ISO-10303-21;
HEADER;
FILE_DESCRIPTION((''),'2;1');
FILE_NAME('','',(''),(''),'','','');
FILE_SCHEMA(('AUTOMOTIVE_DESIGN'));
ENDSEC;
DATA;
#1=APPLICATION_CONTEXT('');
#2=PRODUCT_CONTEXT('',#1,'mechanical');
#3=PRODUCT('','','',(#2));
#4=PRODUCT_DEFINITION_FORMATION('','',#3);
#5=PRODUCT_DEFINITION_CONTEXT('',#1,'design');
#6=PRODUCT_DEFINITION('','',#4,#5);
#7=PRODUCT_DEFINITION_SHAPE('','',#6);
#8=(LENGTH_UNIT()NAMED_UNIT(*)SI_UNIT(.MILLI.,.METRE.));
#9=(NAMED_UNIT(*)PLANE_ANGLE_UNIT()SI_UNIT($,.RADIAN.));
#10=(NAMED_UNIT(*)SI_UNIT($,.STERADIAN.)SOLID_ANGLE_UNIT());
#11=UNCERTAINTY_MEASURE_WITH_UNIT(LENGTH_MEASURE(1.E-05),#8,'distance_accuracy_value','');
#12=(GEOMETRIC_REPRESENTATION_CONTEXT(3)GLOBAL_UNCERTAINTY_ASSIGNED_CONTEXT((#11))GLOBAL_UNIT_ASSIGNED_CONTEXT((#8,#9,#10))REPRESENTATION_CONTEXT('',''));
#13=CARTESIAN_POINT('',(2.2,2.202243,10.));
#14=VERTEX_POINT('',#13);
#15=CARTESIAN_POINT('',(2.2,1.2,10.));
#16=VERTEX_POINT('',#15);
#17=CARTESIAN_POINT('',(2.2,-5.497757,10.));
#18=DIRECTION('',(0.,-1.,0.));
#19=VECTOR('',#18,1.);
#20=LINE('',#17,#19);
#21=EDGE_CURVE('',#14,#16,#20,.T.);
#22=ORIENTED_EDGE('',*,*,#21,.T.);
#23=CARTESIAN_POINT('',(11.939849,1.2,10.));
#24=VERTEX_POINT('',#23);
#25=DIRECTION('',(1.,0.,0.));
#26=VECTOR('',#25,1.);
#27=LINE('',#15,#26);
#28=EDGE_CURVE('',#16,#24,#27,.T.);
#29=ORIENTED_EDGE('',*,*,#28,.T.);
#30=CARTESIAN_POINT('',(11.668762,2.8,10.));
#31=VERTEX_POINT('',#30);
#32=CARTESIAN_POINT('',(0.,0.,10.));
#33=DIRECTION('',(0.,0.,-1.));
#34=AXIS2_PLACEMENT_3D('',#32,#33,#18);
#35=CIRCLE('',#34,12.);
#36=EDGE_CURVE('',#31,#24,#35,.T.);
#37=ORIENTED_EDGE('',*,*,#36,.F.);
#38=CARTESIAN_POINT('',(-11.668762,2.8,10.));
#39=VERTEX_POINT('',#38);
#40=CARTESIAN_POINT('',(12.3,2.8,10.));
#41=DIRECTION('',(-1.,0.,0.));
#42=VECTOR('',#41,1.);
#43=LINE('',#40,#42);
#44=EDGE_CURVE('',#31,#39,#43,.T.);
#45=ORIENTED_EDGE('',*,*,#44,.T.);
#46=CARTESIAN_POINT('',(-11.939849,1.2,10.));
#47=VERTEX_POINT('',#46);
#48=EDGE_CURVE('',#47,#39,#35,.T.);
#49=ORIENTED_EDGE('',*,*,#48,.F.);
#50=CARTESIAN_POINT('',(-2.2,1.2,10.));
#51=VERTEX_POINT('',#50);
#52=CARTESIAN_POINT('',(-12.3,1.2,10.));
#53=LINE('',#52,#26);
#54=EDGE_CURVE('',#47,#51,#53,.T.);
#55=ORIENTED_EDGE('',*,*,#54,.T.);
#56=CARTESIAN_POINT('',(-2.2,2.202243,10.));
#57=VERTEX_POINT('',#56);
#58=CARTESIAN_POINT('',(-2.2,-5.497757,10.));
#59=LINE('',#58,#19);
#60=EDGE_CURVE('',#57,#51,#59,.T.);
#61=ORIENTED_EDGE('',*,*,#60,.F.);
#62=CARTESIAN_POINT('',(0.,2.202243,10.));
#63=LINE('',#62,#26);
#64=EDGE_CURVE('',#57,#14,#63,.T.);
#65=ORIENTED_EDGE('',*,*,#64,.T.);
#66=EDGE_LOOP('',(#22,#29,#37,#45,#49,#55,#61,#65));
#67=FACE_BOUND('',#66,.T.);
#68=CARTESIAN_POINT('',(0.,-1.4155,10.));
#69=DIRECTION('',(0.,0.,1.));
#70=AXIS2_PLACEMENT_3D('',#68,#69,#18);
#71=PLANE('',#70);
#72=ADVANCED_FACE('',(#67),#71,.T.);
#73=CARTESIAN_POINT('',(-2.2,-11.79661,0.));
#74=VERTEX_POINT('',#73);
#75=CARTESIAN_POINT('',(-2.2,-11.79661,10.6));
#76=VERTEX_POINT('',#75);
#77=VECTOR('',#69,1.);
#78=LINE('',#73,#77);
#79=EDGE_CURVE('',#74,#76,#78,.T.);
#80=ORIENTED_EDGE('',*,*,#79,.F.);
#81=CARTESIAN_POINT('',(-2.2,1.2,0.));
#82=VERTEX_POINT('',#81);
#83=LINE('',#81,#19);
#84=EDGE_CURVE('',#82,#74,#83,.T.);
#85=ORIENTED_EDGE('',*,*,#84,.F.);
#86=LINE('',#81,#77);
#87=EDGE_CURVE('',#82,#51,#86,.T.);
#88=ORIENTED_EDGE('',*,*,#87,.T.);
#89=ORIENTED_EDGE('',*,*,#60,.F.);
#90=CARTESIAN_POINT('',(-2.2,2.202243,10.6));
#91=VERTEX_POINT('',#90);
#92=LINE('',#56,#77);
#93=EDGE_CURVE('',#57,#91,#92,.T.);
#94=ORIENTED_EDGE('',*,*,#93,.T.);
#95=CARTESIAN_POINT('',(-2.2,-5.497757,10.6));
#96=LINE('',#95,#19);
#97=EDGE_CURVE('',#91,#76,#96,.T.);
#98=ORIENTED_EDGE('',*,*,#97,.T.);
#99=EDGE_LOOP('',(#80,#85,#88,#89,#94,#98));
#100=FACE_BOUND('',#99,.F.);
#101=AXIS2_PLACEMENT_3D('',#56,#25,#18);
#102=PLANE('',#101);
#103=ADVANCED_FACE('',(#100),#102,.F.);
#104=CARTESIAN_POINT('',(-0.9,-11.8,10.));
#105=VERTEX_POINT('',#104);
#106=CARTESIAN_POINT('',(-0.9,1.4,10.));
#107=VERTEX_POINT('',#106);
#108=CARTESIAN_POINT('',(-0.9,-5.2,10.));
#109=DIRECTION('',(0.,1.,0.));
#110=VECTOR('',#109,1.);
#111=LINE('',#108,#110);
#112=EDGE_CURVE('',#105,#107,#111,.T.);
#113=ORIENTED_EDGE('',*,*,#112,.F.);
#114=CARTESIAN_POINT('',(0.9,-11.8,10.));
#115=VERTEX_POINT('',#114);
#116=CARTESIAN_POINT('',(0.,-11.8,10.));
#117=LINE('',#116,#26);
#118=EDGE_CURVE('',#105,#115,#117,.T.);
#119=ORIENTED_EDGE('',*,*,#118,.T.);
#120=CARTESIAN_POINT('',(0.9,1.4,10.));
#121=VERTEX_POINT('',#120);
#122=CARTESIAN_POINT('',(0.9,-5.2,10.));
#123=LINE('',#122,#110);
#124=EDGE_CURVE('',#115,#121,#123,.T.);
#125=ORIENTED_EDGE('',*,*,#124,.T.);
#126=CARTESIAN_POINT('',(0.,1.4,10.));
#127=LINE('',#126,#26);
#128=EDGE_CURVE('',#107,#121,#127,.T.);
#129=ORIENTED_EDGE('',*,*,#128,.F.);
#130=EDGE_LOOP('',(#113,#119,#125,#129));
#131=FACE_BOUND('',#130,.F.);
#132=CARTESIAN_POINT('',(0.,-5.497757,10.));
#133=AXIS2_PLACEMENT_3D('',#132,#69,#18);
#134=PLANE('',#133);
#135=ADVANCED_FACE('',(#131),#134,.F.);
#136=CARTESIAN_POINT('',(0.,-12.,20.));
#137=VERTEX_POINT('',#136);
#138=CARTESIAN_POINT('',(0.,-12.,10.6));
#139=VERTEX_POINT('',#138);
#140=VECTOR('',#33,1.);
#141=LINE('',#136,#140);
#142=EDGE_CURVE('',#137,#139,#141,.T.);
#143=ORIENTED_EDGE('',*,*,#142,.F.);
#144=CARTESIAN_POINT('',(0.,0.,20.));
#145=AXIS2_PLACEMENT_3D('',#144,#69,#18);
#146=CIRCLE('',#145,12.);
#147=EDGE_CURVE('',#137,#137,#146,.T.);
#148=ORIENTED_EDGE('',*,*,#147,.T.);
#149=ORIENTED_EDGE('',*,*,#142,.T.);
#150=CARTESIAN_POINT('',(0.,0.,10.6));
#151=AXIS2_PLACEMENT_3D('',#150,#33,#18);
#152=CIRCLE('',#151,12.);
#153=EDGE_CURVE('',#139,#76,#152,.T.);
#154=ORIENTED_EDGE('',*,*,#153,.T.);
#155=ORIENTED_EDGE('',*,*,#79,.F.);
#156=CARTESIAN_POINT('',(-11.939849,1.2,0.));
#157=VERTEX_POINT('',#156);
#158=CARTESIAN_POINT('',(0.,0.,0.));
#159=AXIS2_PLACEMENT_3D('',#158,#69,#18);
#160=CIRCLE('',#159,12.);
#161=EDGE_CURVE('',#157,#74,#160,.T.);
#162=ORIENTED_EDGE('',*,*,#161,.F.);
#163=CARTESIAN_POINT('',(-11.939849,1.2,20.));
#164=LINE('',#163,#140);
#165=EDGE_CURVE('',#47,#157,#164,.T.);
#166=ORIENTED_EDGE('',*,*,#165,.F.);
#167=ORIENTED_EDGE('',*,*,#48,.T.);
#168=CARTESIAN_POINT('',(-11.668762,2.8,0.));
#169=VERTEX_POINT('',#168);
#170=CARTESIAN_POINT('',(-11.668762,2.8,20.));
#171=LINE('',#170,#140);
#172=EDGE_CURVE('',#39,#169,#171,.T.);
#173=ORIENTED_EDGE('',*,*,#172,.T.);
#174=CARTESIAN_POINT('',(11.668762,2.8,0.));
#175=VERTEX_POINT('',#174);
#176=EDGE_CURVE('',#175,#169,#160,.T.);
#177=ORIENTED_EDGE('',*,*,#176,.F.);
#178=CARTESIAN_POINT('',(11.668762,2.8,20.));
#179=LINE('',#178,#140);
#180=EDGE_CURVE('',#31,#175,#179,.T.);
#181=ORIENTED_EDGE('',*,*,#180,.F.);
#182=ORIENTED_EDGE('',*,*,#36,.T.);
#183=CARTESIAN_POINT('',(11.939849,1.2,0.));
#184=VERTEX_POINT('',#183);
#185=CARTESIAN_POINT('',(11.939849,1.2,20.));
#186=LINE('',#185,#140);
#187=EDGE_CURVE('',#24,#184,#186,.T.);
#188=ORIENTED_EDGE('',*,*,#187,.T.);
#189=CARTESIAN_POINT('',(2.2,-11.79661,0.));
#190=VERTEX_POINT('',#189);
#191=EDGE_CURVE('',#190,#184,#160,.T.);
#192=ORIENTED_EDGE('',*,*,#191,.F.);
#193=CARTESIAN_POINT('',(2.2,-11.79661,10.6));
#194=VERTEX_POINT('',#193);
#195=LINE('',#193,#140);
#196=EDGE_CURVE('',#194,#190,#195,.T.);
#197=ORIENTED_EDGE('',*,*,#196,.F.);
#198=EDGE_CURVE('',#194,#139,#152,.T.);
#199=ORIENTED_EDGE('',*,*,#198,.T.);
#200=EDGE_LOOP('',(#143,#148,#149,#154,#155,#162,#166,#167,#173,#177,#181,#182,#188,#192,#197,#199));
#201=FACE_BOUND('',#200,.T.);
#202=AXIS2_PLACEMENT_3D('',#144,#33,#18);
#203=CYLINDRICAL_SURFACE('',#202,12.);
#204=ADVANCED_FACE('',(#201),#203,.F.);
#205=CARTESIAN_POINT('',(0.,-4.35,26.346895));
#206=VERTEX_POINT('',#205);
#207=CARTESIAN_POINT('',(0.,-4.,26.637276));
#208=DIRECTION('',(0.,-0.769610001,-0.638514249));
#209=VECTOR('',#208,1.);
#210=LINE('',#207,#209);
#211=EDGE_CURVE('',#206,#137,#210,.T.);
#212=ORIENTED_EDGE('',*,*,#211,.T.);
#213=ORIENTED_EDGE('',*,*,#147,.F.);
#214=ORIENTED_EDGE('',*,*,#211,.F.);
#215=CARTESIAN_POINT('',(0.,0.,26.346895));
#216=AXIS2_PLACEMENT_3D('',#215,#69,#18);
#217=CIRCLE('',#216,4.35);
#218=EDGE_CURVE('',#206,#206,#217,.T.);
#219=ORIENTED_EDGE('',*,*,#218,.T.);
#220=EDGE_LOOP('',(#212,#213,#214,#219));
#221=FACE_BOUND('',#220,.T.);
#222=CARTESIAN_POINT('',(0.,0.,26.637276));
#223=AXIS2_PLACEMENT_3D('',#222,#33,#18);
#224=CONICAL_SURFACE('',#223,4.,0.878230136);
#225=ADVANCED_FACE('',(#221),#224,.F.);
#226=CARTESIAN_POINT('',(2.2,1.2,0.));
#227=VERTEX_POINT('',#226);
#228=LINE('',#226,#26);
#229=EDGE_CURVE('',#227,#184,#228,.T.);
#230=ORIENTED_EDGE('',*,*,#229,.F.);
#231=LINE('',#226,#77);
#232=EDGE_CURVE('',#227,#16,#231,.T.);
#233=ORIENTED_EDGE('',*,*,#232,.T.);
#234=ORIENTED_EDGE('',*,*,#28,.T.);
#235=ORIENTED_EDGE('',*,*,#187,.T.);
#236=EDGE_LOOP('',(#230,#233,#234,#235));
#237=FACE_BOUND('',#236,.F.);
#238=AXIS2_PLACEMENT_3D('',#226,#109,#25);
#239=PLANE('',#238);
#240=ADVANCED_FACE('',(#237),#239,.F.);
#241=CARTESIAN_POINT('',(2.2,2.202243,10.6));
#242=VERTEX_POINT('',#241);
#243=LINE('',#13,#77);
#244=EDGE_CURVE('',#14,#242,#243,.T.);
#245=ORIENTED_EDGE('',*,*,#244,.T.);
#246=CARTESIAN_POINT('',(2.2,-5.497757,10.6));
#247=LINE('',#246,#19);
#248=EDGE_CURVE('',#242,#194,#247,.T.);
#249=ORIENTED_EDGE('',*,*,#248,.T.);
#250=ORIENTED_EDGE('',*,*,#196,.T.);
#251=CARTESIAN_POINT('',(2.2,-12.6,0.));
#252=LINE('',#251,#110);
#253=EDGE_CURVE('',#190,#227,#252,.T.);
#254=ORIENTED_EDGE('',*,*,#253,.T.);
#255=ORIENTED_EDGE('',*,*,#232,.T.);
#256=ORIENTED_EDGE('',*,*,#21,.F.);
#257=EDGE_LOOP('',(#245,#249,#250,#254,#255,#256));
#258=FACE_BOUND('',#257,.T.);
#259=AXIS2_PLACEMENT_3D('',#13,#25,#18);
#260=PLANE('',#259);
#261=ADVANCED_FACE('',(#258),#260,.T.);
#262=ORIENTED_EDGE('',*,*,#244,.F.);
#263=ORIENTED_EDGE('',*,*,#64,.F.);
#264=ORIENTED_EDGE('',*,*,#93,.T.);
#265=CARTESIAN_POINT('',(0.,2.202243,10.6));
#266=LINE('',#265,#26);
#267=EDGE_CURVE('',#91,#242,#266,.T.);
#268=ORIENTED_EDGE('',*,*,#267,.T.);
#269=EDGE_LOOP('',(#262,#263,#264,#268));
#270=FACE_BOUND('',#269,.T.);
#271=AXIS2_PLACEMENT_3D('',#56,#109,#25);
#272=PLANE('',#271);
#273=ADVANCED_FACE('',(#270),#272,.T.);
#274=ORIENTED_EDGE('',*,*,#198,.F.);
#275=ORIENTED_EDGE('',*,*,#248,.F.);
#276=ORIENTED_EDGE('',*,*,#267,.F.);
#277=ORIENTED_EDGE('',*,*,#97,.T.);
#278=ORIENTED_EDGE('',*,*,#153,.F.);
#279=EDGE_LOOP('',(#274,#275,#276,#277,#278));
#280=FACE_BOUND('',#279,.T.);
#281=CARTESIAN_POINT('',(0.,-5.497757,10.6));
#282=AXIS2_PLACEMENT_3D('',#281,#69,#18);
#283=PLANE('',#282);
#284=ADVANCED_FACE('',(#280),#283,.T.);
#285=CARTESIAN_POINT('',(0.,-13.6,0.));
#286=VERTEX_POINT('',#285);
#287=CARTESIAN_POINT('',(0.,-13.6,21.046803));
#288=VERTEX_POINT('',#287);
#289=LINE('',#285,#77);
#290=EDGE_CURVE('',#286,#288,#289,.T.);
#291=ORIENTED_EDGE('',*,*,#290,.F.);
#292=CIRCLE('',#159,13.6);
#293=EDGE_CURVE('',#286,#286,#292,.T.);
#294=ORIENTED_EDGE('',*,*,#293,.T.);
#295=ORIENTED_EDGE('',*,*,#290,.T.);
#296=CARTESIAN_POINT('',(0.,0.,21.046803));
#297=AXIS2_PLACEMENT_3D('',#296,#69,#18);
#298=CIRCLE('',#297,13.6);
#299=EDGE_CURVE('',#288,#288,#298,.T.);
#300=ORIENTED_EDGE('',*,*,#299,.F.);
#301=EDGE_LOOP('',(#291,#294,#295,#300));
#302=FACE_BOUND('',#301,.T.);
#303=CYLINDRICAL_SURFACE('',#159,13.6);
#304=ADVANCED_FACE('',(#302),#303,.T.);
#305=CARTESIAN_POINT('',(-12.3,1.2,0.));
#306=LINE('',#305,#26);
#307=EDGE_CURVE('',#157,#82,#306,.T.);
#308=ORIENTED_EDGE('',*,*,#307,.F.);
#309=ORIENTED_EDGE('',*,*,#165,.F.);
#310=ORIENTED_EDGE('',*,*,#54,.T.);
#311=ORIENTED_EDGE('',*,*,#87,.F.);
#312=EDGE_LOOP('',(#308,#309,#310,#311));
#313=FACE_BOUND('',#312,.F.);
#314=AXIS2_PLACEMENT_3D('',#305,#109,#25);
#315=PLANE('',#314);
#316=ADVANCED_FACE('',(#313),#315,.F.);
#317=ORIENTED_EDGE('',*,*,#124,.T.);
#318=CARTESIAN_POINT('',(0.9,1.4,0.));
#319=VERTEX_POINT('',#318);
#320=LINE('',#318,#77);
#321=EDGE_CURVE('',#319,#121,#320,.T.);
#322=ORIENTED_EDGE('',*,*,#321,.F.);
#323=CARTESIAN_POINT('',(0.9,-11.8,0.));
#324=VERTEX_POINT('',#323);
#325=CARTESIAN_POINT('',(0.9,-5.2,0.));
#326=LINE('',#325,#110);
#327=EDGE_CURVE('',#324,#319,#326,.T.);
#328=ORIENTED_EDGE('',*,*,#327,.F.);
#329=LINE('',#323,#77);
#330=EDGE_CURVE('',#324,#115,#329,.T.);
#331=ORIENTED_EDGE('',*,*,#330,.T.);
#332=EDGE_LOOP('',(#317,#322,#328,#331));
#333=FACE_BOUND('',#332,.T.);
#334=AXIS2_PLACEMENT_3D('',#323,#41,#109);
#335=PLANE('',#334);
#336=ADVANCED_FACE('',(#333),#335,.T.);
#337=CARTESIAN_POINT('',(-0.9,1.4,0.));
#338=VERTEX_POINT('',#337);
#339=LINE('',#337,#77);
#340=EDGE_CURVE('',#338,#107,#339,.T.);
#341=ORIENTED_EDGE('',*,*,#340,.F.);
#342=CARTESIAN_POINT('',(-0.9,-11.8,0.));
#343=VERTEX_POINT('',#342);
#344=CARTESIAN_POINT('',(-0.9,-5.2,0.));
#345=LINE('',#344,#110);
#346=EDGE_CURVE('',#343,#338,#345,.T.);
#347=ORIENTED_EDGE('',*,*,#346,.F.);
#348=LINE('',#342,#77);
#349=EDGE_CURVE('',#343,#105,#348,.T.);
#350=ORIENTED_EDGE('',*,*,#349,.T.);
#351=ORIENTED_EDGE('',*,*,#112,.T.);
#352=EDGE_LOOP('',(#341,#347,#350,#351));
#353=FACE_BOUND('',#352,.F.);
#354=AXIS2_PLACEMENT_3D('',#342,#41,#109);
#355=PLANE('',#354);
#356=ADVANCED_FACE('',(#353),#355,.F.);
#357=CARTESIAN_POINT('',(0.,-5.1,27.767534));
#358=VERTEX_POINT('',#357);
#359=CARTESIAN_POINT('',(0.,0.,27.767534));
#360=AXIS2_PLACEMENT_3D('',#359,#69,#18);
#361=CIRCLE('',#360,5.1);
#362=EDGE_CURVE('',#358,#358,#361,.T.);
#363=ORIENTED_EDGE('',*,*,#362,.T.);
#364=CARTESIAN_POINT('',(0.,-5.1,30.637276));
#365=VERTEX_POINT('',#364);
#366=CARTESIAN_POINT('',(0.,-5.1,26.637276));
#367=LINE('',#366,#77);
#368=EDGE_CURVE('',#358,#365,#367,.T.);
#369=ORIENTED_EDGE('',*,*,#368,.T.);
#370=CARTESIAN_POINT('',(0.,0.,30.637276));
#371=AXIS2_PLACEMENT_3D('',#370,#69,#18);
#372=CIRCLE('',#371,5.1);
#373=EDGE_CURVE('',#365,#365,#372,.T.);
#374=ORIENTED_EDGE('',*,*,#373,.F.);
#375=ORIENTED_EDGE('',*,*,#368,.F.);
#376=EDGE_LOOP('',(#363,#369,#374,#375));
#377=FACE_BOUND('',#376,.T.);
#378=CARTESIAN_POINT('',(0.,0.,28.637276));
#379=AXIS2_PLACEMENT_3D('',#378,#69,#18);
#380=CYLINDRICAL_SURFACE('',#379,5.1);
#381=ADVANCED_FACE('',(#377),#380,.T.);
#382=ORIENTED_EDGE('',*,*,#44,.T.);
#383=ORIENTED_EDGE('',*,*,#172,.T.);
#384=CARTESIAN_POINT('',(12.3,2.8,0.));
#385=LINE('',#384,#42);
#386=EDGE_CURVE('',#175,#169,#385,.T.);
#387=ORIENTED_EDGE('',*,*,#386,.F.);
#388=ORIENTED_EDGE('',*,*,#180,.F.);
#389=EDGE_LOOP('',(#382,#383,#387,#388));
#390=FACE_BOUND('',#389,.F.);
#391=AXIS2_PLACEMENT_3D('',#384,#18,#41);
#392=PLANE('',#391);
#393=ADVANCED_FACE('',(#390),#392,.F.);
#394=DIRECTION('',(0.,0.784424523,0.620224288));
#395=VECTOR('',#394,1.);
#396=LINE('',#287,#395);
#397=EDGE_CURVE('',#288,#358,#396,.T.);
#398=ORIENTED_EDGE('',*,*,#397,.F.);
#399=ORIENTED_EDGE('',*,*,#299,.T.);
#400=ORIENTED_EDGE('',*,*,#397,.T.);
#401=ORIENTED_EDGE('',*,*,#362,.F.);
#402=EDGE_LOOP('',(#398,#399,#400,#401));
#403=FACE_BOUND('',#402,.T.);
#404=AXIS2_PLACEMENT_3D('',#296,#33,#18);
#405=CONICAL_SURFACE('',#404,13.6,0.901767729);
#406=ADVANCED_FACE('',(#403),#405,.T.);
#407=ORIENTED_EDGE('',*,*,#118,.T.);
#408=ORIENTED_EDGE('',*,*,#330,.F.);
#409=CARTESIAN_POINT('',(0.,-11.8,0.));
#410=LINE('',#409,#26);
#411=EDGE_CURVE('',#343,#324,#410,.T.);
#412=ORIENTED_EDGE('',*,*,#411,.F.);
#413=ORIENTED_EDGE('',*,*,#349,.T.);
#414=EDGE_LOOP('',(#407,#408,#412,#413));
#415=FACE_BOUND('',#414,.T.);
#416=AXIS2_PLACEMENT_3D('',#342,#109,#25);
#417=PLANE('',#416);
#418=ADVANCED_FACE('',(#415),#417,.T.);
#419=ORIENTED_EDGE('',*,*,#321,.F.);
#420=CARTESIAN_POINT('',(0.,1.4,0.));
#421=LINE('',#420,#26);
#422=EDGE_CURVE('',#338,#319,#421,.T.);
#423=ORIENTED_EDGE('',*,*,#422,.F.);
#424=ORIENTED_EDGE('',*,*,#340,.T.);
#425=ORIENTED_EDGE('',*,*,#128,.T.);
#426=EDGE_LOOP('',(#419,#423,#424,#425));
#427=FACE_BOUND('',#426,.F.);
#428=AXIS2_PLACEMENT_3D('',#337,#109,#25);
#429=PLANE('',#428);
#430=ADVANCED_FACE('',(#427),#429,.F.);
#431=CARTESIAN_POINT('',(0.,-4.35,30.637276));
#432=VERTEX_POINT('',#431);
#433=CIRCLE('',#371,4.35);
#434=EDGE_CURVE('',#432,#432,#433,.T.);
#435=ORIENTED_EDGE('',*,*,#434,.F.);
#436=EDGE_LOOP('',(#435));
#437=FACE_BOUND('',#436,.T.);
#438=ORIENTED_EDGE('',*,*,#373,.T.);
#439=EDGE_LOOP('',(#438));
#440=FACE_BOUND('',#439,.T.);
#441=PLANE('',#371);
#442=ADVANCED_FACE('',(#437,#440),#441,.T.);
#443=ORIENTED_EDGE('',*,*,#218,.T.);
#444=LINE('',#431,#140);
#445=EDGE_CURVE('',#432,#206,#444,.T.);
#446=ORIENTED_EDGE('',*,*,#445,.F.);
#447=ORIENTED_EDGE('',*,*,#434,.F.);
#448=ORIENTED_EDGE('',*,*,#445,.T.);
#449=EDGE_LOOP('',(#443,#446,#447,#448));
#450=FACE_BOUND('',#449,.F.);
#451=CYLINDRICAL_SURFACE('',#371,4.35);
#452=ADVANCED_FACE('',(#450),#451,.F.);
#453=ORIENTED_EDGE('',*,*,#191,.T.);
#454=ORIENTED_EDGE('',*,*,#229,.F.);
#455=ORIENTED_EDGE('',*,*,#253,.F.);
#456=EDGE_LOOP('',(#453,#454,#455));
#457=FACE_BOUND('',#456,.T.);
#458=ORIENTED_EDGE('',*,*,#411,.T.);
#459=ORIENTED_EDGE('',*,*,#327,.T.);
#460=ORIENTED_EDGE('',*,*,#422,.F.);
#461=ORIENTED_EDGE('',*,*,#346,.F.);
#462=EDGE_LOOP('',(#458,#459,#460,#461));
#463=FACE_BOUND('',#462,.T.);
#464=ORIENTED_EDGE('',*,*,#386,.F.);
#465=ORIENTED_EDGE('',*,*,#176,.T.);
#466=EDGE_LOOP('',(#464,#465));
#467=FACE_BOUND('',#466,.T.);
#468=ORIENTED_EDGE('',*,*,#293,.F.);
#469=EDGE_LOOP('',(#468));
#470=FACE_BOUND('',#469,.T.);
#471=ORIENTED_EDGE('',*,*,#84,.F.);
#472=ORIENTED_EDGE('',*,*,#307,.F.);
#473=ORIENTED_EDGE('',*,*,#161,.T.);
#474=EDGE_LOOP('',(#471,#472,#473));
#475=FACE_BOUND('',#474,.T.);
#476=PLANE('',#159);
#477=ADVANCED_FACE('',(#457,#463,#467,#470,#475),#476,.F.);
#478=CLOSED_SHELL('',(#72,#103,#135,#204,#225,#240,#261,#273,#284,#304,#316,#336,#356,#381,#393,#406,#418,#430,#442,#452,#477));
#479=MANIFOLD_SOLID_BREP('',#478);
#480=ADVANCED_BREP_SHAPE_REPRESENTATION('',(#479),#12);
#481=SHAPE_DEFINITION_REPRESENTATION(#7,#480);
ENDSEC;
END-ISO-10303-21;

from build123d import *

# Parameters (mm, degrees)
PAD003_DEPTH    = 10
SKETCH008_W     = 13.2
SKETCH008_H     = 1.8
POCKET005_DEPTH = 10
SKETCH011_R     = 5.1
PAD005_DEPTH    = 2
SKETCH012_R     = 4.35
POCKET006_DEPTH = 6
SKETCH013_W     = 15.4
SKETCH013_H     = 4.4
PAD006_DEPTH    = 0.6


with BuildPart() as part:
    # Sketch006 → Revolution (revolve)
    with BuildSketch(Plane.YZ):
        Polygon((-4, 26.637276), (-12, 20), (-12, 0), (-13.6, 0), (-13.6, 21.046803), (-4, 28.637276), (0, 28.637276), (0, 26.637276), align=None)
    revolve(axis=Axis((0, 0, 0), (0, 0, 1)))

    # Sketch007 (on Face3 of Revolution) → Pad003 (new body)
    with BuildSketch(Plane.YX):
        Polygon((-12.6, 2.2), (1.2, 2.2), (1.2, 12.3), (2.8, 12.3), (2.8, -12.3), (1.2, -12.3), (1.2, -2.2), (-12.6, -2.2), align=None)
    extrude(amount=-PAD003_DEPTH)

    # Sketch008 → Pocket005 (cut)
    with BuildSketch(Plane.YX):
        with Locations((-5.2, 0)):
            Rectangle(SKETCH008_W, SKETCH008_H)
    extrude(amount=-POCKET005_DEPTH, mode=Mode.SUBTRACT)

    # Sketch011 → Pad005 (join, symmetric)
    with BuildSketch(Plane(origin=(0, 0, 28.637276), x_dir=(0, -1, 0), z_dir=(0, 0, 1))):
        Circle(SKETCH011_R)
    extrude(amount=PAD005_DEPTH, both=True)

    # Sketch012 (on Face22 of Pad005) → Pocket006 (cut)
    with BuildSketch(Plane(origin=(0, 0, 30.637276), x_dir=(0, -1, 0), z_dir=(0, 0, 1))):
        Circle(SKETCH012_R)
    extrude(amount=-POCKET006_DEPTH, mode=Mode.SUBTRACT)

    # Sketch013 (on Face5 of Pocket006) → Pad006 (join)
    with BuildSketch(Plane(origin=(0, 0, 10), x_dir=(0, -1, 0), z_dir=(0, 0, 1))):
        with Locations((5.497757, 0)):
            Rectangle(SKETCH013_W, SKETCH013_H)
    extrude(amount=PAD006_DEPTH)


solid = part.part
